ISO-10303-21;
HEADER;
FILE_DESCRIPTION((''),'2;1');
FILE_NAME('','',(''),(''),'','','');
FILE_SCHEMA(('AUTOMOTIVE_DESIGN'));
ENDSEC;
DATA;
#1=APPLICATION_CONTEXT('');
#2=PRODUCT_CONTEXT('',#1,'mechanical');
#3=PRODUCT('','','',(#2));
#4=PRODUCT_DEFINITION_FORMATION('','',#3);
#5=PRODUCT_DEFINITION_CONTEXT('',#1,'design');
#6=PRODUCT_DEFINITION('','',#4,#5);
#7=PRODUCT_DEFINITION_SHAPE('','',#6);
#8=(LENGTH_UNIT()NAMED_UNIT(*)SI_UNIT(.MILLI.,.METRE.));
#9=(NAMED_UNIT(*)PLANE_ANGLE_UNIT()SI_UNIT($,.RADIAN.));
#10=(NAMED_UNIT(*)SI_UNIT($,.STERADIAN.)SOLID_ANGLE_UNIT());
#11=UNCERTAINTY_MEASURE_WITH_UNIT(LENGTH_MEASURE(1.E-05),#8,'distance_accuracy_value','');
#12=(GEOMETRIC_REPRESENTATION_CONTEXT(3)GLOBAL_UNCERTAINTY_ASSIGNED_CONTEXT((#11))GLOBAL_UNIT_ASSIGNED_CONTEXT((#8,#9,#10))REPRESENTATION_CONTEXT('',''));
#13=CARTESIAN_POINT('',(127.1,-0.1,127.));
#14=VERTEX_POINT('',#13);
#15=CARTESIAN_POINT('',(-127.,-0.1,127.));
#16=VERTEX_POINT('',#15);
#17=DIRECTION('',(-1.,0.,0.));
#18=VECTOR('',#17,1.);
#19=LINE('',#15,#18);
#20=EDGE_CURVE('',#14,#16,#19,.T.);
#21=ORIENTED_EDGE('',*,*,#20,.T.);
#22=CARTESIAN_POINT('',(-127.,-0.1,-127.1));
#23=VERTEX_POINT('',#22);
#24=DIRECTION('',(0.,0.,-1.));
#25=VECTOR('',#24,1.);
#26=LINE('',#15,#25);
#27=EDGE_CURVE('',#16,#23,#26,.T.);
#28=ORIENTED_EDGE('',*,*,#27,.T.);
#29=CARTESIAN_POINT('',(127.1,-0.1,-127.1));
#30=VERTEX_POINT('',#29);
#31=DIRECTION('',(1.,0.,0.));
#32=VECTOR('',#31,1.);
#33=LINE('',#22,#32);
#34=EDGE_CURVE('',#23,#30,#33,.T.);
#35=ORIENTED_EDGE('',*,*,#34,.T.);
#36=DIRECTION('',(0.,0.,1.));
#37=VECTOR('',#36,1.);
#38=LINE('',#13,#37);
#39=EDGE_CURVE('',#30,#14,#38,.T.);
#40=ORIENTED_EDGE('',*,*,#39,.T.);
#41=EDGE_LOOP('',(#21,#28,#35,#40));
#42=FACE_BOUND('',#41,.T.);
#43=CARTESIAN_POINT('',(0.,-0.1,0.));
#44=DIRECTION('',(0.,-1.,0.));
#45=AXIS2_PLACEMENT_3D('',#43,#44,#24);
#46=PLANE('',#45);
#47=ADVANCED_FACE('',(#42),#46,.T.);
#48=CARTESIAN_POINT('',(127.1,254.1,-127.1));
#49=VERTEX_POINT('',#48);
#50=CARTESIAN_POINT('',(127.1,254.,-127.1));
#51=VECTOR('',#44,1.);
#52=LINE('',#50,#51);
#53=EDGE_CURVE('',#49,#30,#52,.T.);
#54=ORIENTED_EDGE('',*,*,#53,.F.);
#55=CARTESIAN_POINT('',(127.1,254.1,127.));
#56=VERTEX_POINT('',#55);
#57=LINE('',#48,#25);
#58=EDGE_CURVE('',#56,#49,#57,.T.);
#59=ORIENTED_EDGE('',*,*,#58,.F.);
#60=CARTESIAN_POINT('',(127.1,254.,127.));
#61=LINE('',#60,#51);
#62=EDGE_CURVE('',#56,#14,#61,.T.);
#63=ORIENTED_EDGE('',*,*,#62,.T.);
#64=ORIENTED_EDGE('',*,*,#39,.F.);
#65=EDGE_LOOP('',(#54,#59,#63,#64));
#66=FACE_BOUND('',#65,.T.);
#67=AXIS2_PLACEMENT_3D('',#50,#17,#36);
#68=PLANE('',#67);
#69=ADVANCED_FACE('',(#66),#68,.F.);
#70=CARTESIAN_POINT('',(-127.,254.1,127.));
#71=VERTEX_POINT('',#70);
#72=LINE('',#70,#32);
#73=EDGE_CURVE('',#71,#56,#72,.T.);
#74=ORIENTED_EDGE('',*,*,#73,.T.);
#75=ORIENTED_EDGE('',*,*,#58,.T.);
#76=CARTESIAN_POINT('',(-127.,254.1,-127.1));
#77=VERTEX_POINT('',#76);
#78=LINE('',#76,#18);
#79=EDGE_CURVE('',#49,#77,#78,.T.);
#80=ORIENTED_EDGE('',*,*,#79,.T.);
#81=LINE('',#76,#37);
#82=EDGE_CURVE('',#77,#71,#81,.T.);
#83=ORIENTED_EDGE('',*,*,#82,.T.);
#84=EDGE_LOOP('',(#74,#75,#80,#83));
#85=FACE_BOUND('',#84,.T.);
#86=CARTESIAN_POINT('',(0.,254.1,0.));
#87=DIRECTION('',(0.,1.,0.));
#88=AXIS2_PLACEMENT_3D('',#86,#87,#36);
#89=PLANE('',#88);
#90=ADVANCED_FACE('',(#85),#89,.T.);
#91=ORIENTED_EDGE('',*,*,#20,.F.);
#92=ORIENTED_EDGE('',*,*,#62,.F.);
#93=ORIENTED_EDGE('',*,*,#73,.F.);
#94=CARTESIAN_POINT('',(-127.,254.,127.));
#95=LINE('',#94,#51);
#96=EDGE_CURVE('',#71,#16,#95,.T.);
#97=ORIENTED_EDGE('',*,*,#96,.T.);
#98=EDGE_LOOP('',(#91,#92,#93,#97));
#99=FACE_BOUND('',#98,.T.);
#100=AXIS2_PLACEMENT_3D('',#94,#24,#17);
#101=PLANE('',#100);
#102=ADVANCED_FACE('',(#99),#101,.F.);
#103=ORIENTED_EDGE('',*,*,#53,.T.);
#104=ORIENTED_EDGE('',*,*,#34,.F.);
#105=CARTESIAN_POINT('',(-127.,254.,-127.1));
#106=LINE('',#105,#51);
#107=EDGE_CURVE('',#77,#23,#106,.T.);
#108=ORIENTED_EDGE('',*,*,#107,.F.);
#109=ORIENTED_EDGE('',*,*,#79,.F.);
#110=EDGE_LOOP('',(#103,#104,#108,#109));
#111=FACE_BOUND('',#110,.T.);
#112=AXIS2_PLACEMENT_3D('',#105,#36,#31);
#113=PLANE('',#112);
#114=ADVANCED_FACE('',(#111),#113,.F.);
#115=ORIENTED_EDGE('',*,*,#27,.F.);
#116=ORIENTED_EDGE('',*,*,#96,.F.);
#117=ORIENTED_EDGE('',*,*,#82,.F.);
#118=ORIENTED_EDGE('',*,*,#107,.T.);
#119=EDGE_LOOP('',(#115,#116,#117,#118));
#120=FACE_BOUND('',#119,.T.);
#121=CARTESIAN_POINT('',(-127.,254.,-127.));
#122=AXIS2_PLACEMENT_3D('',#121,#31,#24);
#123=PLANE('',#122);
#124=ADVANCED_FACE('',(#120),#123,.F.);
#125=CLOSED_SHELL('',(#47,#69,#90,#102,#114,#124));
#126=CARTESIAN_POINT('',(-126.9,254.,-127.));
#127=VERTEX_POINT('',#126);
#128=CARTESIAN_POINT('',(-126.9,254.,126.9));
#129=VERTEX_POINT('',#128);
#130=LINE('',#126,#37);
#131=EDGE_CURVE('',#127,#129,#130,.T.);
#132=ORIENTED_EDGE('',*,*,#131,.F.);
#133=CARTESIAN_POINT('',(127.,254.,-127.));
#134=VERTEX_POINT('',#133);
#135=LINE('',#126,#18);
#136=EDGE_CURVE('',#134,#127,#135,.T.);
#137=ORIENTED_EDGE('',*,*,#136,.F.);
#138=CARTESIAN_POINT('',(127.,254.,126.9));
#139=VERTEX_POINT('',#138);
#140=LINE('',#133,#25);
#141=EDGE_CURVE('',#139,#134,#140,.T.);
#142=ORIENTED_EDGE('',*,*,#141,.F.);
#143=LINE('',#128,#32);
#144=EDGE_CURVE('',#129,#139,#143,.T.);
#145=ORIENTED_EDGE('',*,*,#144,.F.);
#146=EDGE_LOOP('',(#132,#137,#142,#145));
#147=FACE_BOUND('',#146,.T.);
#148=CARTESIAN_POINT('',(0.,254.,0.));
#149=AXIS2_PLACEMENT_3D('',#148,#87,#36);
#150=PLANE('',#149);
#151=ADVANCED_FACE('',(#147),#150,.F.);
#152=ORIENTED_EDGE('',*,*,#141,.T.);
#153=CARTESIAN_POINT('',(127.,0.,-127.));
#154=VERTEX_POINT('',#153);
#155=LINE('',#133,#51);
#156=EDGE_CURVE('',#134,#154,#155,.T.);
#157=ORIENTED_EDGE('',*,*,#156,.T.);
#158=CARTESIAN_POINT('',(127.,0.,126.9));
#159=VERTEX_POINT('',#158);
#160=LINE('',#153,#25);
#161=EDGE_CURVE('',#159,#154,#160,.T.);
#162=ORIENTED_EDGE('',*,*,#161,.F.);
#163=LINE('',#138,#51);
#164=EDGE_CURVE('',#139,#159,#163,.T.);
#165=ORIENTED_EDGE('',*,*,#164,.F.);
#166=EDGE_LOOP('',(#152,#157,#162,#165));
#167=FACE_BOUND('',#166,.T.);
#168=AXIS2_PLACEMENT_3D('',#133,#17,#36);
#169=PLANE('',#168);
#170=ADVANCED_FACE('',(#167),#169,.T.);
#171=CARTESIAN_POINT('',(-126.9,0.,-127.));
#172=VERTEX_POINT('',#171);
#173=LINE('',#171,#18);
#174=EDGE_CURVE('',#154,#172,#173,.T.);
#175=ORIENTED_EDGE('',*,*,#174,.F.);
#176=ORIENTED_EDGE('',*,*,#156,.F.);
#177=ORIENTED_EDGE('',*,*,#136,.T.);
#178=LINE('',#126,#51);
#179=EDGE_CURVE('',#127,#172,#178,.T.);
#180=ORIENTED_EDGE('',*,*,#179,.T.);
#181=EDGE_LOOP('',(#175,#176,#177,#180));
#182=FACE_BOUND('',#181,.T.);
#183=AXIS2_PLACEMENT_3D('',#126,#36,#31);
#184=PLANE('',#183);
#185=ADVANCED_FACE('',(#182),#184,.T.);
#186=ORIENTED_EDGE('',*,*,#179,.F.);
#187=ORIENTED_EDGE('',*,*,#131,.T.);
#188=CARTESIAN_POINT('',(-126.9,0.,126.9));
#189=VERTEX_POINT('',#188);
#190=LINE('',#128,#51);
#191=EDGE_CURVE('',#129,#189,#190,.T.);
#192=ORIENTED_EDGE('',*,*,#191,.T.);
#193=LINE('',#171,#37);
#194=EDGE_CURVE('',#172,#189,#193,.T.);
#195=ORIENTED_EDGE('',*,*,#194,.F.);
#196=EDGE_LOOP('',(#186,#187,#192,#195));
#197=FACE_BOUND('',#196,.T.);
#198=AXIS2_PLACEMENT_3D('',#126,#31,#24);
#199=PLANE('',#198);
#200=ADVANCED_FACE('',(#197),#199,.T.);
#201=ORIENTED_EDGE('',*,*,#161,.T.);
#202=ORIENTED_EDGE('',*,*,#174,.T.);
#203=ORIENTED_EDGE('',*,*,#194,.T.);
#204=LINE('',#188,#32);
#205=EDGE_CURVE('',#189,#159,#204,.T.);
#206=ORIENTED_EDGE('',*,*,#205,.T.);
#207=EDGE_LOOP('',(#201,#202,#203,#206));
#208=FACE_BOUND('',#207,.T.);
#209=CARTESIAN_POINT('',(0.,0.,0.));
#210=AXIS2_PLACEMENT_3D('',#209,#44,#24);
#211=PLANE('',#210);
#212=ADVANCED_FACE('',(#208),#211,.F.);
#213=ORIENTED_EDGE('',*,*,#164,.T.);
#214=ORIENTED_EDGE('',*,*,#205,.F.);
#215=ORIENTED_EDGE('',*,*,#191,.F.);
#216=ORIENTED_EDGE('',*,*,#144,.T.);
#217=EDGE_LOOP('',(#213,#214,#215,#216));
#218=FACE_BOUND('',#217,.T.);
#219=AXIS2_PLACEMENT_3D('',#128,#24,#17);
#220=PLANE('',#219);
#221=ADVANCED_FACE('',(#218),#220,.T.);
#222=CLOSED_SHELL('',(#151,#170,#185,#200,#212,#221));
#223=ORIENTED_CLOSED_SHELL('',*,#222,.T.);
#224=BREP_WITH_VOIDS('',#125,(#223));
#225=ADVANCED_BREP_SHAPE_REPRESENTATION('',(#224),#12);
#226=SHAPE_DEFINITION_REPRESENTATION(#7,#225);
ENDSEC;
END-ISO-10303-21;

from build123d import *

# Parameters (mm, degrees)
SKETCH1_W           = 253.9
SKETCH1_H           = 253.9
BOSS_EXTRUDE1_DEPTH = 254
SKETCH3_W           = 254.1
SKETCH3_H           = 254.1
BOSS_EXTRUDE2_DEPTH = 0.1
SKETCH4_W           = 254.1
SKETCH4_H           = 254.1
BOSS_EXTRUDE3_DEPTH = 0.1


with BuildPart() as part:
    # Sketch1 → Boss-Extrude1 (new body)
    with BuildSketch(Plane(origin=(0, 0, 0), x_dir=(1, 0, 0), z_dir=(0, 1, 0))):
        Polygon((-127, 127.1), (127, 127.1), (127.1, 127.1), (127.1, 127), (127.1, -127), (127, -127), (-127, -127), (-127, 127), align=None)
        with Locations((0.05, 0.05)):
            Rectangle(SKETCH1_W, SKETCH1_H, mode=Mode.SUBTRACT)
    extrude(amount=BOSS_EXTRUDE1_DEPTH)

    # Sketch3 → Boss-Extrude2 (add)
    with BuildSketch(Plane(origin=(0, 254, 0), x_dir=(1, 0, 0), z_dir=(0, 1, 0))):
        with Locations((0.05, 0.05)):
            Rectangle(SKETCH3_W, SKETCH3_H)
    extrude(amount=BOSS_EXTRUDE2_DEPTH)

    # Sketch4 → Boss-Extrude3 (add)
    with BuildSketch(Plane.XZ):
        with Locations((0.05, -0.05)):
            Rectangle(SKETCH4_W, SKETCH4_H)
    extrude(amount=BOSS_EXTRUDE3_DEPTH)


solid = part.part
